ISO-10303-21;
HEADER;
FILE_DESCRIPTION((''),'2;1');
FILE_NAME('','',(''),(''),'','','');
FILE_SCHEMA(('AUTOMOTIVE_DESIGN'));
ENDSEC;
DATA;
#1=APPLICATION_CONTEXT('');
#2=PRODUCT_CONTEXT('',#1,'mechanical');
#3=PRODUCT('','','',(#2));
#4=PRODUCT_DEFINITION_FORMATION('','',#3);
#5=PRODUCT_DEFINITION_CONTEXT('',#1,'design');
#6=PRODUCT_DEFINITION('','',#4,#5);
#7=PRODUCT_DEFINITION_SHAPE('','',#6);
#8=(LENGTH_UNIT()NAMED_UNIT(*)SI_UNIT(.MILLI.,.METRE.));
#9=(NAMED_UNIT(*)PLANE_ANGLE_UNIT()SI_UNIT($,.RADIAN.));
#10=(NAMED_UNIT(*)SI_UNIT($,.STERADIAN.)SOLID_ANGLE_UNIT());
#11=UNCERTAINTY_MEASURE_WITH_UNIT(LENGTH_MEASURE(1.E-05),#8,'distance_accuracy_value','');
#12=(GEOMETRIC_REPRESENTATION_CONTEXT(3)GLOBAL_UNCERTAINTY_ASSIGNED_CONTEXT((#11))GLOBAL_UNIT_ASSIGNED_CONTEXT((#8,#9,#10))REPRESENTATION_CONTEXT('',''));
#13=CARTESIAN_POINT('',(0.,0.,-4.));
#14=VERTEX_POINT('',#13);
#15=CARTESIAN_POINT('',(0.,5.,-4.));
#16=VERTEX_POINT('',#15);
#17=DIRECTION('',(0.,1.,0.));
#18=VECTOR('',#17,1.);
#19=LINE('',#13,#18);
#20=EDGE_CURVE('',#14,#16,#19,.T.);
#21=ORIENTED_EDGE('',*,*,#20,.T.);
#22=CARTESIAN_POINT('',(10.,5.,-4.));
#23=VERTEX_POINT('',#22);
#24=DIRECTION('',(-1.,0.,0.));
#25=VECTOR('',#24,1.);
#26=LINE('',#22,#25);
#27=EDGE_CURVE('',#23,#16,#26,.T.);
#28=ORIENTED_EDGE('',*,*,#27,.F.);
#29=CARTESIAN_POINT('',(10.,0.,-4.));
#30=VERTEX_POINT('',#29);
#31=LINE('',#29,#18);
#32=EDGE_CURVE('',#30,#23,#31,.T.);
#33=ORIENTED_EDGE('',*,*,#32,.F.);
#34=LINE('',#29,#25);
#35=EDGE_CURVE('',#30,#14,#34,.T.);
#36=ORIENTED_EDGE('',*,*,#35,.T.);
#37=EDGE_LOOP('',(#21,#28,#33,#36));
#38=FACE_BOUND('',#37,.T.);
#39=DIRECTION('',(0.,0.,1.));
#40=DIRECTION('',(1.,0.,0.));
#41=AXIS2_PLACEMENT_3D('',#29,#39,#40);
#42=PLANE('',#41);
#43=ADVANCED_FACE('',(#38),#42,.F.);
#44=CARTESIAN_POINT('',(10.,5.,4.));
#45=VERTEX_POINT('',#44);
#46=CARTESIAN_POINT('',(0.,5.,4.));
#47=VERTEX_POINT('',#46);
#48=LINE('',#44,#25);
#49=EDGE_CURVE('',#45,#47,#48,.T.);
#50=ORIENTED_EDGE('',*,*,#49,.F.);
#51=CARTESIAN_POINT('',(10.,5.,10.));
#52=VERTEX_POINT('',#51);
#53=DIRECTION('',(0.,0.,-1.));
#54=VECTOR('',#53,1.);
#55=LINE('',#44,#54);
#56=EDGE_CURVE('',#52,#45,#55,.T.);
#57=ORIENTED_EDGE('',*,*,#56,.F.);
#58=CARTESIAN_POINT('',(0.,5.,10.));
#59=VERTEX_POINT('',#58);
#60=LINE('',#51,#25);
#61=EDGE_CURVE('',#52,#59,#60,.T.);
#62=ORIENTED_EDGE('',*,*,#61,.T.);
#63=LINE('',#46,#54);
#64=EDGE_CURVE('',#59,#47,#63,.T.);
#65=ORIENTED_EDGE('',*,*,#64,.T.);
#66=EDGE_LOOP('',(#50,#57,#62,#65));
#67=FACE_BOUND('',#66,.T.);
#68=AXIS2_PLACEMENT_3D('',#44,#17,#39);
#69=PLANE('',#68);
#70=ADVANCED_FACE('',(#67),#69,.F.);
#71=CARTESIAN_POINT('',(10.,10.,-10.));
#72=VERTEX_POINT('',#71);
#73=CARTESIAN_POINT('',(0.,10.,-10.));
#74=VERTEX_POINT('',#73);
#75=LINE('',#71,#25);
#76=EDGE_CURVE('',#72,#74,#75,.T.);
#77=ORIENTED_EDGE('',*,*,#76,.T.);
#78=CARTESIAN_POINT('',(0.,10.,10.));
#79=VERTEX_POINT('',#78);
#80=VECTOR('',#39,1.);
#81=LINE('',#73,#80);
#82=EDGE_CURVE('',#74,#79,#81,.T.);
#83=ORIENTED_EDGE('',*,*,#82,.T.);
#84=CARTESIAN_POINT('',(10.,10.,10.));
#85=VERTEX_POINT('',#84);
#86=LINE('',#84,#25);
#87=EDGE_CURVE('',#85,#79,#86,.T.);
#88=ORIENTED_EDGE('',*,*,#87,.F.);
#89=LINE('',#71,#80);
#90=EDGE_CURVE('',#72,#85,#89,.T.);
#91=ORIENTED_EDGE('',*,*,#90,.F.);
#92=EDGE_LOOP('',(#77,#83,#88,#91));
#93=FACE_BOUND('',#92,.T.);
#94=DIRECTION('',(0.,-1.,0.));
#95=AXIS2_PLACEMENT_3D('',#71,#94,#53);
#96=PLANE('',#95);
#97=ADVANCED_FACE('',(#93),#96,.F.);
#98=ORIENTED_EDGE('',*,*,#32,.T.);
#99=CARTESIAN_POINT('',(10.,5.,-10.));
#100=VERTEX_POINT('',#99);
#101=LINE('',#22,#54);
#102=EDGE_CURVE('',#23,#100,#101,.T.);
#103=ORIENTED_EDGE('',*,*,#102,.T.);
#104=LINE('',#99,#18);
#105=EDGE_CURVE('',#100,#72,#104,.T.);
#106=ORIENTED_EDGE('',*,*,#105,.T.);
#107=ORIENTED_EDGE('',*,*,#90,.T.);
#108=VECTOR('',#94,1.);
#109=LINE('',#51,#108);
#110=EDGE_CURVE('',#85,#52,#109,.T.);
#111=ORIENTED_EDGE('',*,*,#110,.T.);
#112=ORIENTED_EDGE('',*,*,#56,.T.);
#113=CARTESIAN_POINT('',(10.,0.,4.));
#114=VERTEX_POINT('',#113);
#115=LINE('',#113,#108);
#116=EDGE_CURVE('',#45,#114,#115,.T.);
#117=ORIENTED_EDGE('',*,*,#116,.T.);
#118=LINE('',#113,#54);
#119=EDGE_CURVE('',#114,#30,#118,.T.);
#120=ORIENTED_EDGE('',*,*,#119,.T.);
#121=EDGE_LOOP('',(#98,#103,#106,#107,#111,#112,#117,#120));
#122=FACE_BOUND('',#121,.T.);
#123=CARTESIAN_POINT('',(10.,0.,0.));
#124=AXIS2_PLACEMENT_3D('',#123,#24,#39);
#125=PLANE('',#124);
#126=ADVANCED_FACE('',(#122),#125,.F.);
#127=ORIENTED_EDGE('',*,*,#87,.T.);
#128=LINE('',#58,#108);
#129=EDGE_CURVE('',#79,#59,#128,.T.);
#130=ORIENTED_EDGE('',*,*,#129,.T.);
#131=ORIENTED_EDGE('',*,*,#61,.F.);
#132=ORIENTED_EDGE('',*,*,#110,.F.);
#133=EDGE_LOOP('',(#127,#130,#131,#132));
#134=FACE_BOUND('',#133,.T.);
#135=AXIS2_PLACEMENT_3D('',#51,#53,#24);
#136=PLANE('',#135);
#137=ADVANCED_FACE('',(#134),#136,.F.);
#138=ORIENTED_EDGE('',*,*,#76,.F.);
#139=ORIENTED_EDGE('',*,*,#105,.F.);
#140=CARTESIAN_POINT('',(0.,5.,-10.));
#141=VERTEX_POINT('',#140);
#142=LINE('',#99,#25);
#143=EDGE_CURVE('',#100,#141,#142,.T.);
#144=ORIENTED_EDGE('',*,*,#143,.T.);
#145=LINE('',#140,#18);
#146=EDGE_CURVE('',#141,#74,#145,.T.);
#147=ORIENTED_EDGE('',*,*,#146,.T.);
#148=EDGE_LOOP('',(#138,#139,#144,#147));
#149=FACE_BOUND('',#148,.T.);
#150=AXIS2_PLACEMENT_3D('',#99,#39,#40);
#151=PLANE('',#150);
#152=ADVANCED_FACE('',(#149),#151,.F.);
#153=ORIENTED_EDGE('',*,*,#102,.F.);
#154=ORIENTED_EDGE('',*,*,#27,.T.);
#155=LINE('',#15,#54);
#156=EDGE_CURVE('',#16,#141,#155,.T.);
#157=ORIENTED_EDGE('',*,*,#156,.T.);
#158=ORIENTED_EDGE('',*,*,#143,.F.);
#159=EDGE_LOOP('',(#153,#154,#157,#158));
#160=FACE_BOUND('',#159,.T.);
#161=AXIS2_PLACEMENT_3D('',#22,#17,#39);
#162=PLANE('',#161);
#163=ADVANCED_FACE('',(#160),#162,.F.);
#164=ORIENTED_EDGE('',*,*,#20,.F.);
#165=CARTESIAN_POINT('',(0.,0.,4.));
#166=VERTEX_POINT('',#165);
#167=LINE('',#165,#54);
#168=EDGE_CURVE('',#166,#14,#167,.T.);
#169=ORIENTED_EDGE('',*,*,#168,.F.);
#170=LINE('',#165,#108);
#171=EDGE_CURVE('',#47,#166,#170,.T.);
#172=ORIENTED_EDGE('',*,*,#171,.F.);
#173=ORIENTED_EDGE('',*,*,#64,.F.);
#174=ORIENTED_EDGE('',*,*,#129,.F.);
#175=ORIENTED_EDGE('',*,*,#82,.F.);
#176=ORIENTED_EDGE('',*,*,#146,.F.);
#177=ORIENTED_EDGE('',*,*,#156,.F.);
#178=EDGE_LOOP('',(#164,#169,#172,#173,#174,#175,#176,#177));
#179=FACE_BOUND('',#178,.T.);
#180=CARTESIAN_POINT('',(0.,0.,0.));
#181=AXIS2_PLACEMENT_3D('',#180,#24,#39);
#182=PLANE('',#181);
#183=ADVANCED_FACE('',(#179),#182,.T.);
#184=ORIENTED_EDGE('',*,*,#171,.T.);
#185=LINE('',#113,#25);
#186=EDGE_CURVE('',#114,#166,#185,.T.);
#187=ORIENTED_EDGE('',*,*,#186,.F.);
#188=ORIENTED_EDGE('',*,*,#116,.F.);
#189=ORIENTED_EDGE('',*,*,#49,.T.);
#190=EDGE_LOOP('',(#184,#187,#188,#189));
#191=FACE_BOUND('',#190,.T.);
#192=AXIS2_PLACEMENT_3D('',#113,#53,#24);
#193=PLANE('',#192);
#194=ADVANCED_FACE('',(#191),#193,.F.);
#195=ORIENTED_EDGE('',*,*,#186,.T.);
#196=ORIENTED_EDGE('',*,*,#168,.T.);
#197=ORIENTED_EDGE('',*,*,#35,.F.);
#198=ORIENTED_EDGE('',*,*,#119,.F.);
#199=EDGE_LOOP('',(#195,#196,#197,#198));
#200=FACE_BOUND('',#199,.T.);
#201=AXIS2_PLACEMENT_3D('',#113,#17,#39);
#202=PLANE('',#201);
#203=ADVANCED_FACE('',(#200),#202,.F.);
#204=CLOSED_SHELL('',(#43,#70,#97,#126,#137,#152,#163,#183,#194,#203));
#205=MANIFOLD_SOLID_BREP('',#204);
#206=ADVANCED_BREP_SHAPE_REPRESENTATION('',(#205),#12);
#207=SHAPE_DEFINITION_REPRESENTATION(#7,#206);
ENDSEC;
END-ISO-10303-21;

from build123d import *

# Parameters (mm, degrees)
BOSS_EXTRUDE1_DEPTH = 10


with BuildPart() as part:
    # Sketch1 → Boss-Extrude1 (new body)
    with BuildSketch(Plane(origin=(0, 0, 0), x_dir=(0, 0, -1), z_dir=(1, 0, 0))):
        Polygon((-4, 0), (4, 0), (4, 5), (10, 5), (10, 10), (-10, 10), (-10, 5), (-4, 5), align=None)
    extrude(amount=BOSS_EXTRUDE1_DEPTH)


solid = part.part
